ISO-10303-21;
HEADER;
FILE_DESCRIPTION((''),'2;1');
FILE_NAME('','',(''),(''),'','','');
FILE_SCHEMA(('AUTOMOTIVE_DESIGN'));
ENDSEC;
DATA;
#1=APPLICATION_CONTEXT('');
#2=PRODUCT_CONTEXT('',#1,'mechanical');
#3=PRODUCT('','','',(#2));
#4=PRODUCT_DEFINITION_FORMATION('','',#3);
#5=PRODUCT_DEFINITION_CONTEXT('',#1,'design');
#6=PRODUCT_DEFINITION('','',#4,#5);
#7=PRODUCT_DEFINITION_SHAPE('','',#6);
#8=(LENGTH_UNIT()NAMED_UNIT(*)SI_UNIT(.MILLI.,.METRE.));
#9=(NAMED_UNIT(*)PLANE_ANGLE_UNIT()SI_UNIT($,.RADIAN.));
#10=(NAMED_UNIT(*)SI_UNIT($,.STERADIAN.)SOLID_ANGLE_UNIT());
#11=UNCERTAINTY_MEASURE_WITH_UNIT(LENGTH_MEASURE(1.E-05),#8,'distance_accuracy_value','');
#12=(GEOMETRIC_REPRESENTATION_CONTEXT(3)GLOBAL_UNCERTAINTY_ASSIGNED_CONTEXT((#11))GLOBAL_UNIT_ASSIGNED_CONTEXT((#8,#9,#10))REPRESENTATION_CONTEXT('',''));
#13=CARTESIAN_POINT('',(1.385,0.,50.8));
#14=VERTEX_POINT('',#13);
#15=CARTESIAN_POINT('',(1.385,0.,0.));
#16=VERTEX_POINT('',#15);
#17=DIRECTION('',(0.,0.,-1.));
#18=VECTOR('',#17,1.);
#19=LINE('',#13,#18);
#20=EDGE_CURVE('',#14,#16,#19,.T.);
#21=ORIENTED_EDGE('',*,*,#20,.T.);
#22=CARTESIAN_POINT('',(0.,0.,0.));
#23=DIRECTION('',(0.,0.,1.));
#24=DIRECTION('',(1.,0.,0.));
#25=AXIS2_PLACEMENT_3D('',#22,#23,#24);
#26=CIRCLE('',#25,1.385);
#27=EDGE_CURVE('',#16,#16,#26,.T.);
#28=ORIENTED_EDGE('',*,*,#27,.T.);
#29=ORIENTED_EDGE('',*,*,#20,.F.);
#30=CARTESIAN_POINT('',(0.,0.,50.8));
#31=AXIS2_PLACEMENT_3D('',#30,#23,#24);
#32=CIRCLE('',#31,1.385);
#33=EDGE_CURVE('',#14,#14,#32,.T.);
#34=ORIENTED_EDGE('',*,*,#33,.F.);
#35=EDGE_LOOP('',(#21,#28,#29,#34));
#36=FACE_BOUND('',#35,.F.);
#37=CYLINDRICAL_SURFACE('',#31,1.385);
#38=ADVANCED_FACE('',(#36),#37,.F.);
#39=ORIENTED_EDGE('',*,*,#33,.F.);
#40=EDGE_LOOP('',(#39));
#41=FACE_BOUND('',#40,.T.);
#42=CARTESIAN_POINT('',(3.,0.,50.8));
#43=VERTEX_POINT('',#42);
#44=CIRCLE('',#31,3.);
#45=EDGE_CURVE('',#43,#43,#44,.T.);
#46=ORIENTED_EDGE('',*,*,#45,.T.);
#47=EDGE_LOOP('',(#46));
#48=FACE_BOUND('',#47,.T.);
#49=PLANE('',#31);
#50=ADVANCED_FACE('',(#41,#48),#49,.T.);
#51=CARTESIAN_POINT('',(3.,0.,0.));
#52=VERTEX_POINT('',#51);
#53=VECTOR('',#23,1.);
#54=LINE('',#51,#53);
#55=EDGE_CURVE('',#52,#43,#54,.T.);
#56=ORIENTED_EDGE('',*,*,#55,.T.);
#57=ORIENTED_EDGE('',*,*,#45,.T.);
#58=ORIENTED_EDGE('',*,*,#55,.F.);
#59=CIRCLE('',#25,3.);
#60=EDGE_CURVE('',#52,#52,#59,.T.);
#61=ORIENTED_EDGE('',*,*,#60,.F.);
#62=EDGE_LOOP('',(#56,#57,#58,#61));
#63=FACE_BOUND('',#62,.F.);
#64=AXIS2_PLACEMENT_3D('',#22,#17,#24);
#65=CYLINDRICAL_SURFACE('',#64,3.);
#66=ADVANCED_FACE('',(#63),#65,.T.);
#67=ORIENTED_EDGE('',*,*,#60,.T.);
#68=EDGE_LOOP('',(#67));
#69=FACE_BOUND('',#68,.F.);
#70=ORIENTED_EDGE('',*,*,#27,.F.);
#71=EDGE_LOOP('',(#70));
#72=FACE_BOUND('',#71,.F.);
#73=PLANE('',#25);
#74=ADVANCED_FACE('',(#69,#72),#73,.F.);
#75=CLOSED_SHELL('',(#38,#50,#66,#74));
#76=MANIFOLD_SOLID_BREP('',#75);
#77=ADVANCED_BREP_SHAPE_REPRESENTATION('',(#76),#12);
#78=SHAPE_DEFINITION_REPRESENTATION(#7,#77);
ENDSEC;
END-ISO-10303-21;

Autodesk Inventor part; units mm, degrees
ref_plane "YZ Plane" through (0, 0, 0) normal (1, 0, 0) x (0, 1, 0)
ref_plane "XZ Plane" through (0, 0, 0) normal (0, 1, 0) x (-1, 0, 0)
ref_plane "XY Plane" through (0, 0, 0) normal (0, 0, 1) x (1, 0, 0)
sketch "Sketch1" plane through (0, 0, 0) normal (0, 0, 1) x (1, 0, 0)
  circle A0 centre (0, 0) radius 3
  dimension "d0" = 6
extrude "Extrusion1" add sketch "Sketch1" along normal blind 50.8
sketch "Sketch2" plane through (0, 0, 50.8) normal (0, 0, 1) x (1, 0, 0)
  circle A0 centre (0, 0) radius 3 projected
  circle A1 centre (0, 0) radius 1.385
  dimension "d3" = 2.77
extrude "Extrusion2" cut sketch "Sketch2" against normal through all contours A1
properties part number "StandOff_2.0inch"
